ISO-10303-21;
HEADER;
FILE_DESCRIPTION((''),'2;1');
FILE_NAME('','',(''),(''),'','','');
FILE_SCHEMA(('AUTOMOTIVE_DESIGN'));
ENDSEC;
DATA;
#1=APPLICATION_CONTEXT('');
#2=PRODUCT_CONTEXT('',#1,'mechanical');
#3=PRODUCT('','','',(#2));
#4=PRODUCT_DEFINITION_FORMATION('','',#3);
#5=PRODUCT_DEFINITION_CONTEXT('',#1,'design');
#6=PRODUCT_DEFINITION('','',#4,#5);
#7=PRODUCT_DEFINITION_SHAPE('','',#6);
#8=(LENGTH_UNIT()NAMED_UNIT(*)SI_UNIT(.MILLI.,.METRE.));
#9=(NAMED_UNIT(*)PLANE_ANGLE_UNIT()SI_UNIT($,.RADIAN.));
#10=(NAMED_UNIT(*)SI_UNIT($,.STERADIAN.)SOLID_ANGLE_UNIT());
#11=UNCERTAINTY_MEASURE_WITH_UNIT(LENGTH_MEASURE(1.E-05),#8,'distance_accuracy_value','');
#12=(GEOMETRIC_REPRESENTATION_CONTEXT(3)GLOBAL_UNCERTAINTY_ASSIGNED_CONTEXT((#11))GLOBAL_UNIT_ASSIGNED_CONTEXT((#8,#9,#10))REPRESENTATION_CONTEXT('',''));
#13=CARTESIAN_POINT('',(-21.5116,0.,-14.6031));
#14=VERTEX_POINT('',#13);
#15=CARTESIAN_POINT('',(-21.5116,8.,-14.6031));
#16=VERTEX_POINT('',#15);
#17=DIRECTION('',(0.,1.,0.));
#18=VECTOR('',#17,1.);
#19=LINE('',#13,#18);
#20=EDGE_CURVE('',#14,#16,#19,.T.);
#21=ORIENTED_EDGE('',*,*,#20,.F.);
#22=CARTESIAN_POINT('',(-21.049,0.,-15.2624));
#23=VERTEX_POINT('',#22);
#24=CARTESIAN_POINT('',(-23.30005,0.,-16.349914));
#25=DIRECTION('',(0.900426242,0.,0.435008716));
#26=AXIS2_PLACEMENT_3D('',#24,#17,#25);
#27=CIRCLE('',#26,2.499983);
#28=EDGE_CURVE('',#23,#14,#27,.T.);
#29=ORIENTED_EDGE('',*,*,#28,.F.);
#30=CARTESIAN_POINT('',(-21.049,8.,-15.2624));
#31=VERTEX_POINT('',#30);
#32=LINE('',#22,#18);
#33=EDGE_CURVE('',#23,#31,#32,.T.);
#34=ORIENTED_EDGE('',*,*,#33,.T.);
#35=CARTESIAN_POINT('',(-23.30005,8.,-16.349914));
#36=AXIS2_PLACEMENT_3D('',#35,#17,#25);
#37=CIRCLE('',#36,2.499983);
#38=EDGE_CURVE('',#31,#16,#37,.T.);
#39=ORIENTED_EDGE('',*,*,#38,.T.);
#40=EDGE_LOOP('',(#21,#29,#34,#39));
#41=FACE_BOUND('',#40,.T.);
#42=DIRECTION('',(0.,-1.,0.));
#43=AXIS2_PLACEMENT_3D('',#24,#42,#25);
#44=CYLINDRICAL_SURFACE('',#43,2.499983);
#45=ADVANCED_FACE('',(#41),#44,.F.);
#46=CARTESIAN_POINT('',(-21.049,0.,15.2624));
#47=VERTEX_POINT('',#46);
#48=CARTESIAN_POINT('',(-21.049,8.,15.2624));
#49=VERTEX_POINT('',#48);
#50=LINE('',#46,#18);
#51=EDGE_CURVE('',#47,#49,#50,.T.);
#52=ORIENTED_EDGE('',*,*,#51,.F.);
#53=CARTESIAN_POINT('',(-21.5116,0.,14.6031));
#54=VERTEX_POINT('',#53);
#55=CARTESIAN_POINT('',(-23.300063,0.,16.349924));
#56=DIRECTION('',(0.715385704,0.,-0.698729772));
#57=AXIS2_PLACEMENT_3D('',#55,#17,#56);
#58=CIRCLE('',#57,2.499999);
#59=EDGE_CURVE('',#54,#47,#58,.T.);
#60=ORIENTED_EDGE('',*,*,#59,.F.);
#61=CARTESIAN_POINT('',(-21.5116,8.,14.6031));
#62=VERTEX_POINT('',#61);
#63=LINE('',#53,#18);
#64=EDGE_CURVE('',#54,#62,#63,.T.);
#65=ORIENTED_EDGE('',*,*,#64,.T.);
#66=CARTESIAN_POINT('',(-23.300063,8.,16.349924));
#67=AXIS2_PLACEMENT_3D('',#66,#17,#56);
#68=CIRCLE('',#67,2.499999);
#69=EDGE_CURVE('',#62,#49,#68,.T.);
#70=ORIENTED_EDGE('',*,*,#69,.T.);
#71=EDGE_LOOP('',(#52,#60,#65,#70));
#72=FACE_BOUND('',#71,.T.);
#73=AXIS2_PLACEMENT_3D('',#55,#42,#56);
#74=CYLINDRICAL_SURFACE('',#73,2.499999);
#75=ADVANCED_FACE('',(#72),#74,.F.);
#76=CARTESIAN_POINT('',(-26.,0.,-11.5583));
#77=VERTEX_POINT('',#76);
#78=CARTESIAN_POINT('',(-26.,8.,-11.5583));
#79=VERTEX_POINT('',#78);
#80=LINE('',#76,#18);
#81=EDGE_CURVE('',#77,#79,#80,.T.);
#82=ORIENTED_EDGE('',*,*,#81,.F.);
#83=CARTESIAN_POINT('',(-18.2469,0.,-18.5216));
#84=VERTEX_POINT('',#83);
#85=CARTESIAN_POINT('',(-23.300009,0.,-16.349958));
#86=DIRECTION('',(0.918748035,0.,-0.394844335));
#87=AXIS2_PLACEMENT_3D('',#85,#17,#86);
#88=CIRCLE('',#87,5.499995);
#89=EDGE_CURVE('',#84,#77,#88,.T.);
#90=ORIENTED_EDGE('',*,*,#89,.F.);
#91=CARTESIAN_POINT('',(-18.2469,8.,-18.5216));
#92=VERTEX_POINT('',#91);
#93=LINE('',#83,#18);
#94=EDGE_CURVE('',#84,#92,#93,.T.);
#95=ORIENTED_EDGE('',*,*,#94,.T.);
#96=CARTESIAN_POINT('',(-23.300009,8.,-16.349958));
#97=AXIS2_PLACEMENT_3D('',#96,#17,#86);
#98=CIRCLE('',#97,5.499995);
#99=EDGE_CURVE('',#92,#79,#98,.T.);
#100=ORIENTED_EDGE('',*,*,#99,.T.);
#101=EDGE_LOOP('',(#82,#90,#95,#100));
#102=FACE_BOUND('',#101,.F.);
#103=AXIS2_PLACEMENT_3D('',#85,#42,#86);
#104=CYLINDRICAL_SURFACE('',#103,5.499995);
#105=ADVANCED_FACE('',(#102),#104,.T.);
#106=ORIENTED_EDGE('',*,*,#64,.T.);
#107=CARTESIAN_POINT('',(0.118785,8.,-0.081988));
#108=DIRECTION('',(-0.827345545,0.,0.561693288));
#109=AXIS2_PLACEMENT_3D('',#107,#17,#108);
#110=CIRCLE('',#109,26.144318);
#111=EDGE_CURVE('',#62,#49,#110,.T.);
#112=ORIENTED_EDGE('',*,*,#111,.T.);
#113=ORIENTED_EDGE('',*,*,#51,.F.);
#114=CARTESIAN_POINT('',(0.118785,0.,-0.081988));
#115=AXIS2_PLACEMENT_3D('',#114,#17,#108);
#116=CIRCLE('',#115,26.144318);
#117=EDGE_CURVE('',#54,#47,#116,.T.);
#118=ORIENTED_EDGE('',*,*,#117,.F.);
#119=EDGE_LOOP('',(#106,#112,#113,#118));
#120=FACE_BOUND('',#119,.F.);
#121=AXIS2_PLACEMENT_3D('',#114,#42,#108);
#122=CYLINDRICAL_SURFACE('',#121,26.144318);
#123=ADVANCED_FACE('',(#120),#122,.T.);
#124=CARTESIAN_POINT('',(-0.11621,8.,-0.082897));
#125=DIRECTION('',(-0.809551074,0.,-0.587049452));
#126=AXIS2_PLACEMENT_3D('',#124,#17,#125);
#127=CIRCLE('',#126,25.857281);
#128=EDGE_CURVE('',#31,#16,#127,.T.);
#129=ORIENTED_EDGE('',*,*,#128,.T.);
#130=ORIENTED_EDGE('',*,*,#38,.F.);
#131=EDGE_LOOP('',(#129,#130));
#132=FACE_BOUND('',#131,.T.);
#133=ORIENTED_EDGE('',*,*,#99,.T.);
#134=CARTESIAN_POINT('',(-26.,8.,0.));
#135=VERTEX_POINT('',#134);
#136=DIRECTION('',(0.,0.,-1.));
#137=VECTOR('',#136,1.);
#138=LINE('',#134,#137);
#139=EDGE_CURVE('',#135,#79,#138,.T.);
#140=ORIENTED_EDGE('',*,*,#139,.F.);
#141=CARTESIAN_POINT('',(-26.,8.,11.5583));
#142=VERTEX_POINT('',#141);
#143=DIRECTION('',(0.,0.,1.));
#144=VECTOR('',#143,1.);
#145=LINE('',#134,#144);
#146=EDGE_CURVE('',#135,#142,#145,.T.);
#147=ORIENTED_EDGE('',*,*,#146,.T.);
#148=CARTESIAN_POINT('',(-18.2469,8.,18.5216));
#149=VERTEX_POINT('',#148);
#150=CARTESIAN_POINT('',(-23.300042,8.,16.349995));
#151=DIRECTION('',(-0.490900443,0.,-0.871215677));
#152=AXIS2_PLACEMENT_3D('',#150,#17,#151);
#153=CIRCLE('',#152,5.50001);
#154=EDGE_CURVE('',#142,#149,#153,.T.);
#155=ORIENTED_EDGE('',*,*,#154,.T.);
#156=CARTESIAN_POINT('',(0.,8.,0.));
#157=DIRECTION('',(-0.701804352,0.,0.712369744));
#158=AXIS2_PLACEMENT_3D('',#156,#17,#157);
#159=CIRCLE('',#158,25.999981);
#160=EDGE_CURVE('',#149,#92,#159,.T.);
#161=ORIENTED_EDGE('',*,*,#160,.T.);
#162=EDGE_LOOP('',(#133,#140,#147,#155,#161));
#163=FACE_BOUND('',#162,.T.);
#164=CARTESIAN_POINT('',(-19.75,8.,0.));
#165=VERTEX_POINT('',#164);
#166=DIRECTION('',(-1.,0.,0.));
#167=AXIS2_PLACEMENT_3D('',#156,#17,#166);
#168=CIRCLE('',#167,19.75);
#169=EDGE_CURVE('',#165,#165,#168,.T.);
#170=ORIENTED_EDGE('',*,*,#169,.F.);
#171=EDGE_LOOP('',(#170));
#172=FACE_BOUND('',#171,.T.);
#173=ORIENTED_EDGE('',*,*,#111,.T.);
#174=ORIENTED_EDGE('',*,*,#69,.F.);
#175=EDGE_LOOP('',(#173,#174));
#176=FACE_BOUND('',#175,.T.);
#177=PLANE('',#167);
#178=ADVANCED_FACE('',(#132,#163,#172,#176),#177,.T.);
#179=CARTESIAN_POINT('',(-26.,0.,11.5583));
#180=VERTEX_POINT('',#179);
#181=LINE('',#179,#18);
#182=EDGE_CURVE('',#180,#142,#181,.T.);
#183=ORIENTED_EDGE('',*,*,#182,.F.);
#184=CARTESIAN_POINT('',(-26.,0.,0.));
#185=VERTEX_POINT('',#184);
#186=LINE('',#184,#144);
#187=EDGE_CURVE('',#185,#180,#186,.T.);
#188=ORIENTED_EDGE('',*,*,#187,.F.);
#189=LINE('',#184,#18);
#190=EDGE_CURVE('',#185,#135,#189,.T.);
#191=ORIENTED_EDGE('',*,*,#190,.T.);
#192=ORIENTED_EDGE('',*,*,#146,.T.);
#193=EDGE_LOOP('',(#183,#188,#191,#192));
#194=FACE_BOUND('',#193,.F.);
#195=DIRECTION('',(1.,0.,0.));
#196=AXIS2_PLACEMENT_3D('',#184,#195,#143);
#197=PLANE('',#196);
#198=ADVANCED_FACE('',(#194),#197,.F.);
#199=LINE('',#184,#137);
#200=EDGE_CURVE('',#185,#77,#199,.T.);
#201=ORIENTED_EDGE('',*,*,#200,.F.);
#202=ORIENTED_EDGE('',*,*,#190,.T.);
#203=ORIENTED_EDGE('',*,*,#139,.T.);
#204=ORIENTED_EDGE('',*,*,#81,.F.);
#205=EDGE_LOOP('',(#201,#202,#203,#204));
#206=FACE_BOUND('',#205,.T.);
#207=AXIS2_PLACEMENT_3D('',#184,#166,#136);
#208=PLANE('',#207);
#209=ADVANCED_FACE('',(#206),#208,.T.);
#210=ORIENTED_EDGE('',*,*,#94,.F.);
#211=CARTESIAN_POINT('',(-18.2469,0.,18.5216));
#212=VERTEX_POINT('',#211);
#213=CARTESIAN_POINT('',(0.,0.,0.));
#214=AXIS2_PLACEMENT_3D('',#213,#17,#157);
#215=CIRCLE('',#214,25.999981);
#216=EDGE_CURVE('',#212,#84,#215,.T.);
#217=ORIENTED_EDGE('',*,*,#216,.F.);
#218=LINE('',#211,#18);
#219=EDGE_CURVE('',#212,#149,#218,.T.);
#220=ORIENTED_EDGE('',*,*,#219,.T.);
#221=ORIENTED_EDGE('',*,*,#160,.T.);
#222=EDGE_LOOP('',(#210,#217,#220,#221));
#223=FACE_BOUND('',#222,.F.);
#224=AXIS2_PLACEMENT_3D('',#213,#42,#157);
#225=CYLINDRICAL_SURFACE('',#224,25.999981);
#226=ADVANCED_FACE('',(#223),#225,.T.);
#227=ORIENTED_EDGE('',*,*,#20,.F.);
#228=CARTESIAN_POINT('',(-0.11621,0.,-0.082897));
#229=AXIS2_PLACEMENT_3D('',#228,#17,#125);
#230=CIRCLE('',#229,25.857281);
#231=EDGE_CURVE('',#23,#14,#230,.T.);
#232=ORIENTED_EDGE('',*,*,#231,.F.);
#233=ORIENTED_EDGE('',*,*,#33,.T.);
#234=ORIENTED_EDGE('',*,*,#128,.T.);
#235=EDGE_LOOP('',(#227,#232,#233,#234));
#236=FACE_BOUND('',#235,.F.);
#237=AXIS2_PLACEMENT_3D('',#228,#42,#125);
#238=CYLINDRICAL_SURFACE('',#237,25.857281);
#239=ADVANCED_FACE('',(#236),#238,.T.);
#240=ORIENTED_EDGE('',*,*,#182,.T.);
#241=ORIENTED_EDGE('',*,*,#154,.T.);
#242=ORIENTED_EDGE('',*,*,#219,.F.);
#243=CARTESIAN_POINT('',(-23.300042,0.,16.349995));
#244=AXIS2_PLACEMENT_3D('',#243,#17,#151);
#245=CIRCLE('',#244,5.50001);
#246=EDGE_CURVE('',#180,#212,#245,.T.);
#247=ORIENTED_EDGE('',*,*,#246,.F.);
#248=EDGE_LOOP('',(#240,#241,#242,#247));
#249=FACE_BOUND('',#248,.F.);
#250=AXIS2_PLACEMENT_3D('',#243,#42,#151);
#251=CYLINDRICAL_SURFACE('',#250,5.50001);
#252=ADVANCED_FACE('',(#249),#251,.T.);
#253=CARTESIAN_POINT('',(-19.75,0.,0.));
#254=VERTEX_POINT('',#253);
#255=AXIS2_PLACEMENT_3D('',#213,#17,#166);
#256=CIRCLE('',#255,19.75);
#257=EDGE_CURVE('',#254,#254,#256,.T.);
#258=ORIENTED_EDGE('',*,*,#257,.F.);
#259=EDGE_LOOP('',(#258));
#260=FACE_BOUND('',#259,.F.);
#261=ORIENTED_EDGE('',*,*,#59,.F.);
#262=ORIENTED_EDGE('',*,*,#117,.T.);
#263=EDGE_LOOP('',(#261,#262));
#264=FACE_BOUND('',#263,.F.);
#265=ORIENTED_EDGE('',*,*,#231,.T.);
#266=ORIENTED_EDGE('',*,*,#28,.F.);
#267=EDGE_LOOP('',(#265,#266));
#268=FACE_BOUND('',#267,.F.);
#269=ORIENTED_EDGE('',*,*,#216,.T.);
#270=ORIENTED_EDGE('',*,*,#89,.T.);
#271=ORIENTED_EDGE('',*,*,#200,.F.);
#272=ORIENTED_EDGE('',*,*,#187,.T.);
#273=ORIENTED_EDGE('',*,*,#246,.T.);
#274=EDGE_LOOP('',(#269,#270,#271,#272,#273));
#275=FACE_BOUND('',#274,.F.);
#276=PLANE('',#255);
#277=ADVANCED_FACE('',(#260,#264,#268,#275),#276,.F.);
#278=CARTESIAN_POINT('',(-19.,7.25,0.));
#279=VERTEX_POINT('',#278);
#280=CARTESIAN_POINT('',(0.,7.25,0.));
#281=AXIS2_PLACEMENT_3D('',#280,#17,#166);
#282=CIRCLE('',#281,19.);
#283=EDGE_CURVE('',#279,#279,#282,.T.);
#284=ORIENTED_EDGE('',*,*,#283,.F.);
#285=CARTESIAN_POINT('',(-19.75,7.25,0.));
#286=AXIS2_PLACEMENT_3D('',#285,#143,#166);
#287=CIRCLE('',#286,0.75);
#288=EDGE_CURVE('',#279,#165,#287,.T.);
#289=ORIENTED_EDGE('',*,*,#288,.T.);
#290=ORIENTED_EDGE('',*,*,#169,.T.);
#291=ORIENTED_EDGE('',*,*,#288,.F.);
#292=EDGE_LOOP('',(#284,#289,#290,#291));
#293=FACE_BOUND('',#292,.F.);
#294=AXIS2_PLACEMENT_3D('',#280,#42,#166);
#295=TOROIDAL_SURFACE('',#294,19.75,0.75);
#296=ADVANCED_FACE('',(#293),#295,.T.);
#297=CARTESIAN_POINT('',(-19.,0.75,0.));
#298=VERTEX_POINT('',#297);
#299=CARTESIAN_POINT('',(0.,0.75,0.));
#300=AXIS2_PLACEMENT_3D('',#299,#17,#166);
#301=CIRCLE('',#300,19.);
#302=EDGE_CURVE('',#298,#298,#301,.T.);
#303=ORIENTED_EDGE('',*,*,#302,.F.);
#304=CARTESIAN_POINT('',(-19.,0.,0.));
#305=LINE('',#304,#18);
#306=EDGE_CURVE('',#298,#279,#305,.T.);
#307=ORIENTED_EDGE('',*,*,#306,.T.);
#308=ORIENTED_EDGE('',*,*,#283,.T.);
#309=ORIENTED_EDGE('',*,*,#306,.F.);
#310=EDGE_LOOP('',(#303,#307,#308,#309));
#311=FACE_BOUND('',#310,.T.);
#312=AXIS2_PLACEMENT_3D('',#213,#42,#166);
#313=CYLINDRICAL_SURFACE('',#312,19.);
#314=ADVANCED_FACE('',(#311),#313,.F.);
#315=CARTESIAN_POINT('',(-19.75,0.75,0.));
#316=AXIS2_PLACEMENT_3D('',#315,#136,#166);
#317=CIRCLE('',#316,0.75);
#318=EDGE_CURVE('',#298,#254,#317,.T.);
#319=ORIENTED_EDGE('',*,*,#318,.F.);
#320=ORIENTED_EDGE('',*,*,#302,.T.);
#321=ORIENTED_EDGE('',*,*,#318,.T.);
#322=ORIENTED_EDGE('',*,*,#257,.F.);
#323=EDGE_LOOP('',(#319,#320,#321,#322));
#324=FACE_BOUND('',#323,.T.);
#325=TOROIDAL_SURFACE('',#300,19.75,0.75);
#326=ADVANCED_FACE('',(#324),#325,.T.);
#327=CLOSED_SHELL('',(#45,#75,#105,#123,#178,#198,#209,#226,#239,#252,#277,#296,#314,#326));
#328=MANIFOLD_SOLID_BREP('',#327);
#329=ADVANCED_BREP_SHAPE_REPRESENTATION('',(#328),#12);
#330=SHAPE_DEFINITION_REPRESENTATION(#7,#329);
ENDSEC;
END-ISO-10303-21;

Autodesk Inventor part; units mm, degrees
ref_plane "YZ Plane" through (0, 0, 0) normal (1, 0, 0) x (0, 1, 0)
ref_plane "XZ Plane" through (0, 0, 0) normal (0, 1, 0) x (-1, 0, 0)
ref_plane "XY Plane" through (0, 0, 0) normal (0, 0, 1) x (1, 0, 0)
sketch "Sketch1" plane through (0, 0, 0) normal (0, 1, 0) x (-1, 0, 0)
  circle A0 centre (0, 0) radius 19
  arc A1 (21.049, -15.2624) -> (21.5116, -14.6031) centre (23.3, -16.35) ccw
  arc A2 (21.5116, 14.6031) -> (21.049, 15.2624) centre (23.3, 16.35) ccw
  arc A3 (26, 11.5583) -> (18.2469, 18.5216) centre (23.3, 16.35) ccw
  arc A4 (18.2469, -18.5216) -> (26, -11.5583) centre (23.3, -16.35) ccw
  arc A5 (21.5116, 14.6031) -> (21.049, 15.2624) centre (0, 0) ccw
  arc A6 (18.2469, 18.5216) -> (18.2469, -18.5216) centre (0, 0) ccw
  arc A7 (21.049, -15.2624) -> (21.5116, -14.6031) centre (0, 0) ccw
  line L0 (26, 0) -> (26, 11.5583)
  line L1 (26, 0) -> (26, -11.5583)
  dimension "d1" = 38
extrude "Extrusion1" add sketch "Sketch1" along normal blind 8
fillet "Fillet1" radius 0.75 2 edges at (19, 8, 0) (19, 0, 0)
properties part number "Manovella"
